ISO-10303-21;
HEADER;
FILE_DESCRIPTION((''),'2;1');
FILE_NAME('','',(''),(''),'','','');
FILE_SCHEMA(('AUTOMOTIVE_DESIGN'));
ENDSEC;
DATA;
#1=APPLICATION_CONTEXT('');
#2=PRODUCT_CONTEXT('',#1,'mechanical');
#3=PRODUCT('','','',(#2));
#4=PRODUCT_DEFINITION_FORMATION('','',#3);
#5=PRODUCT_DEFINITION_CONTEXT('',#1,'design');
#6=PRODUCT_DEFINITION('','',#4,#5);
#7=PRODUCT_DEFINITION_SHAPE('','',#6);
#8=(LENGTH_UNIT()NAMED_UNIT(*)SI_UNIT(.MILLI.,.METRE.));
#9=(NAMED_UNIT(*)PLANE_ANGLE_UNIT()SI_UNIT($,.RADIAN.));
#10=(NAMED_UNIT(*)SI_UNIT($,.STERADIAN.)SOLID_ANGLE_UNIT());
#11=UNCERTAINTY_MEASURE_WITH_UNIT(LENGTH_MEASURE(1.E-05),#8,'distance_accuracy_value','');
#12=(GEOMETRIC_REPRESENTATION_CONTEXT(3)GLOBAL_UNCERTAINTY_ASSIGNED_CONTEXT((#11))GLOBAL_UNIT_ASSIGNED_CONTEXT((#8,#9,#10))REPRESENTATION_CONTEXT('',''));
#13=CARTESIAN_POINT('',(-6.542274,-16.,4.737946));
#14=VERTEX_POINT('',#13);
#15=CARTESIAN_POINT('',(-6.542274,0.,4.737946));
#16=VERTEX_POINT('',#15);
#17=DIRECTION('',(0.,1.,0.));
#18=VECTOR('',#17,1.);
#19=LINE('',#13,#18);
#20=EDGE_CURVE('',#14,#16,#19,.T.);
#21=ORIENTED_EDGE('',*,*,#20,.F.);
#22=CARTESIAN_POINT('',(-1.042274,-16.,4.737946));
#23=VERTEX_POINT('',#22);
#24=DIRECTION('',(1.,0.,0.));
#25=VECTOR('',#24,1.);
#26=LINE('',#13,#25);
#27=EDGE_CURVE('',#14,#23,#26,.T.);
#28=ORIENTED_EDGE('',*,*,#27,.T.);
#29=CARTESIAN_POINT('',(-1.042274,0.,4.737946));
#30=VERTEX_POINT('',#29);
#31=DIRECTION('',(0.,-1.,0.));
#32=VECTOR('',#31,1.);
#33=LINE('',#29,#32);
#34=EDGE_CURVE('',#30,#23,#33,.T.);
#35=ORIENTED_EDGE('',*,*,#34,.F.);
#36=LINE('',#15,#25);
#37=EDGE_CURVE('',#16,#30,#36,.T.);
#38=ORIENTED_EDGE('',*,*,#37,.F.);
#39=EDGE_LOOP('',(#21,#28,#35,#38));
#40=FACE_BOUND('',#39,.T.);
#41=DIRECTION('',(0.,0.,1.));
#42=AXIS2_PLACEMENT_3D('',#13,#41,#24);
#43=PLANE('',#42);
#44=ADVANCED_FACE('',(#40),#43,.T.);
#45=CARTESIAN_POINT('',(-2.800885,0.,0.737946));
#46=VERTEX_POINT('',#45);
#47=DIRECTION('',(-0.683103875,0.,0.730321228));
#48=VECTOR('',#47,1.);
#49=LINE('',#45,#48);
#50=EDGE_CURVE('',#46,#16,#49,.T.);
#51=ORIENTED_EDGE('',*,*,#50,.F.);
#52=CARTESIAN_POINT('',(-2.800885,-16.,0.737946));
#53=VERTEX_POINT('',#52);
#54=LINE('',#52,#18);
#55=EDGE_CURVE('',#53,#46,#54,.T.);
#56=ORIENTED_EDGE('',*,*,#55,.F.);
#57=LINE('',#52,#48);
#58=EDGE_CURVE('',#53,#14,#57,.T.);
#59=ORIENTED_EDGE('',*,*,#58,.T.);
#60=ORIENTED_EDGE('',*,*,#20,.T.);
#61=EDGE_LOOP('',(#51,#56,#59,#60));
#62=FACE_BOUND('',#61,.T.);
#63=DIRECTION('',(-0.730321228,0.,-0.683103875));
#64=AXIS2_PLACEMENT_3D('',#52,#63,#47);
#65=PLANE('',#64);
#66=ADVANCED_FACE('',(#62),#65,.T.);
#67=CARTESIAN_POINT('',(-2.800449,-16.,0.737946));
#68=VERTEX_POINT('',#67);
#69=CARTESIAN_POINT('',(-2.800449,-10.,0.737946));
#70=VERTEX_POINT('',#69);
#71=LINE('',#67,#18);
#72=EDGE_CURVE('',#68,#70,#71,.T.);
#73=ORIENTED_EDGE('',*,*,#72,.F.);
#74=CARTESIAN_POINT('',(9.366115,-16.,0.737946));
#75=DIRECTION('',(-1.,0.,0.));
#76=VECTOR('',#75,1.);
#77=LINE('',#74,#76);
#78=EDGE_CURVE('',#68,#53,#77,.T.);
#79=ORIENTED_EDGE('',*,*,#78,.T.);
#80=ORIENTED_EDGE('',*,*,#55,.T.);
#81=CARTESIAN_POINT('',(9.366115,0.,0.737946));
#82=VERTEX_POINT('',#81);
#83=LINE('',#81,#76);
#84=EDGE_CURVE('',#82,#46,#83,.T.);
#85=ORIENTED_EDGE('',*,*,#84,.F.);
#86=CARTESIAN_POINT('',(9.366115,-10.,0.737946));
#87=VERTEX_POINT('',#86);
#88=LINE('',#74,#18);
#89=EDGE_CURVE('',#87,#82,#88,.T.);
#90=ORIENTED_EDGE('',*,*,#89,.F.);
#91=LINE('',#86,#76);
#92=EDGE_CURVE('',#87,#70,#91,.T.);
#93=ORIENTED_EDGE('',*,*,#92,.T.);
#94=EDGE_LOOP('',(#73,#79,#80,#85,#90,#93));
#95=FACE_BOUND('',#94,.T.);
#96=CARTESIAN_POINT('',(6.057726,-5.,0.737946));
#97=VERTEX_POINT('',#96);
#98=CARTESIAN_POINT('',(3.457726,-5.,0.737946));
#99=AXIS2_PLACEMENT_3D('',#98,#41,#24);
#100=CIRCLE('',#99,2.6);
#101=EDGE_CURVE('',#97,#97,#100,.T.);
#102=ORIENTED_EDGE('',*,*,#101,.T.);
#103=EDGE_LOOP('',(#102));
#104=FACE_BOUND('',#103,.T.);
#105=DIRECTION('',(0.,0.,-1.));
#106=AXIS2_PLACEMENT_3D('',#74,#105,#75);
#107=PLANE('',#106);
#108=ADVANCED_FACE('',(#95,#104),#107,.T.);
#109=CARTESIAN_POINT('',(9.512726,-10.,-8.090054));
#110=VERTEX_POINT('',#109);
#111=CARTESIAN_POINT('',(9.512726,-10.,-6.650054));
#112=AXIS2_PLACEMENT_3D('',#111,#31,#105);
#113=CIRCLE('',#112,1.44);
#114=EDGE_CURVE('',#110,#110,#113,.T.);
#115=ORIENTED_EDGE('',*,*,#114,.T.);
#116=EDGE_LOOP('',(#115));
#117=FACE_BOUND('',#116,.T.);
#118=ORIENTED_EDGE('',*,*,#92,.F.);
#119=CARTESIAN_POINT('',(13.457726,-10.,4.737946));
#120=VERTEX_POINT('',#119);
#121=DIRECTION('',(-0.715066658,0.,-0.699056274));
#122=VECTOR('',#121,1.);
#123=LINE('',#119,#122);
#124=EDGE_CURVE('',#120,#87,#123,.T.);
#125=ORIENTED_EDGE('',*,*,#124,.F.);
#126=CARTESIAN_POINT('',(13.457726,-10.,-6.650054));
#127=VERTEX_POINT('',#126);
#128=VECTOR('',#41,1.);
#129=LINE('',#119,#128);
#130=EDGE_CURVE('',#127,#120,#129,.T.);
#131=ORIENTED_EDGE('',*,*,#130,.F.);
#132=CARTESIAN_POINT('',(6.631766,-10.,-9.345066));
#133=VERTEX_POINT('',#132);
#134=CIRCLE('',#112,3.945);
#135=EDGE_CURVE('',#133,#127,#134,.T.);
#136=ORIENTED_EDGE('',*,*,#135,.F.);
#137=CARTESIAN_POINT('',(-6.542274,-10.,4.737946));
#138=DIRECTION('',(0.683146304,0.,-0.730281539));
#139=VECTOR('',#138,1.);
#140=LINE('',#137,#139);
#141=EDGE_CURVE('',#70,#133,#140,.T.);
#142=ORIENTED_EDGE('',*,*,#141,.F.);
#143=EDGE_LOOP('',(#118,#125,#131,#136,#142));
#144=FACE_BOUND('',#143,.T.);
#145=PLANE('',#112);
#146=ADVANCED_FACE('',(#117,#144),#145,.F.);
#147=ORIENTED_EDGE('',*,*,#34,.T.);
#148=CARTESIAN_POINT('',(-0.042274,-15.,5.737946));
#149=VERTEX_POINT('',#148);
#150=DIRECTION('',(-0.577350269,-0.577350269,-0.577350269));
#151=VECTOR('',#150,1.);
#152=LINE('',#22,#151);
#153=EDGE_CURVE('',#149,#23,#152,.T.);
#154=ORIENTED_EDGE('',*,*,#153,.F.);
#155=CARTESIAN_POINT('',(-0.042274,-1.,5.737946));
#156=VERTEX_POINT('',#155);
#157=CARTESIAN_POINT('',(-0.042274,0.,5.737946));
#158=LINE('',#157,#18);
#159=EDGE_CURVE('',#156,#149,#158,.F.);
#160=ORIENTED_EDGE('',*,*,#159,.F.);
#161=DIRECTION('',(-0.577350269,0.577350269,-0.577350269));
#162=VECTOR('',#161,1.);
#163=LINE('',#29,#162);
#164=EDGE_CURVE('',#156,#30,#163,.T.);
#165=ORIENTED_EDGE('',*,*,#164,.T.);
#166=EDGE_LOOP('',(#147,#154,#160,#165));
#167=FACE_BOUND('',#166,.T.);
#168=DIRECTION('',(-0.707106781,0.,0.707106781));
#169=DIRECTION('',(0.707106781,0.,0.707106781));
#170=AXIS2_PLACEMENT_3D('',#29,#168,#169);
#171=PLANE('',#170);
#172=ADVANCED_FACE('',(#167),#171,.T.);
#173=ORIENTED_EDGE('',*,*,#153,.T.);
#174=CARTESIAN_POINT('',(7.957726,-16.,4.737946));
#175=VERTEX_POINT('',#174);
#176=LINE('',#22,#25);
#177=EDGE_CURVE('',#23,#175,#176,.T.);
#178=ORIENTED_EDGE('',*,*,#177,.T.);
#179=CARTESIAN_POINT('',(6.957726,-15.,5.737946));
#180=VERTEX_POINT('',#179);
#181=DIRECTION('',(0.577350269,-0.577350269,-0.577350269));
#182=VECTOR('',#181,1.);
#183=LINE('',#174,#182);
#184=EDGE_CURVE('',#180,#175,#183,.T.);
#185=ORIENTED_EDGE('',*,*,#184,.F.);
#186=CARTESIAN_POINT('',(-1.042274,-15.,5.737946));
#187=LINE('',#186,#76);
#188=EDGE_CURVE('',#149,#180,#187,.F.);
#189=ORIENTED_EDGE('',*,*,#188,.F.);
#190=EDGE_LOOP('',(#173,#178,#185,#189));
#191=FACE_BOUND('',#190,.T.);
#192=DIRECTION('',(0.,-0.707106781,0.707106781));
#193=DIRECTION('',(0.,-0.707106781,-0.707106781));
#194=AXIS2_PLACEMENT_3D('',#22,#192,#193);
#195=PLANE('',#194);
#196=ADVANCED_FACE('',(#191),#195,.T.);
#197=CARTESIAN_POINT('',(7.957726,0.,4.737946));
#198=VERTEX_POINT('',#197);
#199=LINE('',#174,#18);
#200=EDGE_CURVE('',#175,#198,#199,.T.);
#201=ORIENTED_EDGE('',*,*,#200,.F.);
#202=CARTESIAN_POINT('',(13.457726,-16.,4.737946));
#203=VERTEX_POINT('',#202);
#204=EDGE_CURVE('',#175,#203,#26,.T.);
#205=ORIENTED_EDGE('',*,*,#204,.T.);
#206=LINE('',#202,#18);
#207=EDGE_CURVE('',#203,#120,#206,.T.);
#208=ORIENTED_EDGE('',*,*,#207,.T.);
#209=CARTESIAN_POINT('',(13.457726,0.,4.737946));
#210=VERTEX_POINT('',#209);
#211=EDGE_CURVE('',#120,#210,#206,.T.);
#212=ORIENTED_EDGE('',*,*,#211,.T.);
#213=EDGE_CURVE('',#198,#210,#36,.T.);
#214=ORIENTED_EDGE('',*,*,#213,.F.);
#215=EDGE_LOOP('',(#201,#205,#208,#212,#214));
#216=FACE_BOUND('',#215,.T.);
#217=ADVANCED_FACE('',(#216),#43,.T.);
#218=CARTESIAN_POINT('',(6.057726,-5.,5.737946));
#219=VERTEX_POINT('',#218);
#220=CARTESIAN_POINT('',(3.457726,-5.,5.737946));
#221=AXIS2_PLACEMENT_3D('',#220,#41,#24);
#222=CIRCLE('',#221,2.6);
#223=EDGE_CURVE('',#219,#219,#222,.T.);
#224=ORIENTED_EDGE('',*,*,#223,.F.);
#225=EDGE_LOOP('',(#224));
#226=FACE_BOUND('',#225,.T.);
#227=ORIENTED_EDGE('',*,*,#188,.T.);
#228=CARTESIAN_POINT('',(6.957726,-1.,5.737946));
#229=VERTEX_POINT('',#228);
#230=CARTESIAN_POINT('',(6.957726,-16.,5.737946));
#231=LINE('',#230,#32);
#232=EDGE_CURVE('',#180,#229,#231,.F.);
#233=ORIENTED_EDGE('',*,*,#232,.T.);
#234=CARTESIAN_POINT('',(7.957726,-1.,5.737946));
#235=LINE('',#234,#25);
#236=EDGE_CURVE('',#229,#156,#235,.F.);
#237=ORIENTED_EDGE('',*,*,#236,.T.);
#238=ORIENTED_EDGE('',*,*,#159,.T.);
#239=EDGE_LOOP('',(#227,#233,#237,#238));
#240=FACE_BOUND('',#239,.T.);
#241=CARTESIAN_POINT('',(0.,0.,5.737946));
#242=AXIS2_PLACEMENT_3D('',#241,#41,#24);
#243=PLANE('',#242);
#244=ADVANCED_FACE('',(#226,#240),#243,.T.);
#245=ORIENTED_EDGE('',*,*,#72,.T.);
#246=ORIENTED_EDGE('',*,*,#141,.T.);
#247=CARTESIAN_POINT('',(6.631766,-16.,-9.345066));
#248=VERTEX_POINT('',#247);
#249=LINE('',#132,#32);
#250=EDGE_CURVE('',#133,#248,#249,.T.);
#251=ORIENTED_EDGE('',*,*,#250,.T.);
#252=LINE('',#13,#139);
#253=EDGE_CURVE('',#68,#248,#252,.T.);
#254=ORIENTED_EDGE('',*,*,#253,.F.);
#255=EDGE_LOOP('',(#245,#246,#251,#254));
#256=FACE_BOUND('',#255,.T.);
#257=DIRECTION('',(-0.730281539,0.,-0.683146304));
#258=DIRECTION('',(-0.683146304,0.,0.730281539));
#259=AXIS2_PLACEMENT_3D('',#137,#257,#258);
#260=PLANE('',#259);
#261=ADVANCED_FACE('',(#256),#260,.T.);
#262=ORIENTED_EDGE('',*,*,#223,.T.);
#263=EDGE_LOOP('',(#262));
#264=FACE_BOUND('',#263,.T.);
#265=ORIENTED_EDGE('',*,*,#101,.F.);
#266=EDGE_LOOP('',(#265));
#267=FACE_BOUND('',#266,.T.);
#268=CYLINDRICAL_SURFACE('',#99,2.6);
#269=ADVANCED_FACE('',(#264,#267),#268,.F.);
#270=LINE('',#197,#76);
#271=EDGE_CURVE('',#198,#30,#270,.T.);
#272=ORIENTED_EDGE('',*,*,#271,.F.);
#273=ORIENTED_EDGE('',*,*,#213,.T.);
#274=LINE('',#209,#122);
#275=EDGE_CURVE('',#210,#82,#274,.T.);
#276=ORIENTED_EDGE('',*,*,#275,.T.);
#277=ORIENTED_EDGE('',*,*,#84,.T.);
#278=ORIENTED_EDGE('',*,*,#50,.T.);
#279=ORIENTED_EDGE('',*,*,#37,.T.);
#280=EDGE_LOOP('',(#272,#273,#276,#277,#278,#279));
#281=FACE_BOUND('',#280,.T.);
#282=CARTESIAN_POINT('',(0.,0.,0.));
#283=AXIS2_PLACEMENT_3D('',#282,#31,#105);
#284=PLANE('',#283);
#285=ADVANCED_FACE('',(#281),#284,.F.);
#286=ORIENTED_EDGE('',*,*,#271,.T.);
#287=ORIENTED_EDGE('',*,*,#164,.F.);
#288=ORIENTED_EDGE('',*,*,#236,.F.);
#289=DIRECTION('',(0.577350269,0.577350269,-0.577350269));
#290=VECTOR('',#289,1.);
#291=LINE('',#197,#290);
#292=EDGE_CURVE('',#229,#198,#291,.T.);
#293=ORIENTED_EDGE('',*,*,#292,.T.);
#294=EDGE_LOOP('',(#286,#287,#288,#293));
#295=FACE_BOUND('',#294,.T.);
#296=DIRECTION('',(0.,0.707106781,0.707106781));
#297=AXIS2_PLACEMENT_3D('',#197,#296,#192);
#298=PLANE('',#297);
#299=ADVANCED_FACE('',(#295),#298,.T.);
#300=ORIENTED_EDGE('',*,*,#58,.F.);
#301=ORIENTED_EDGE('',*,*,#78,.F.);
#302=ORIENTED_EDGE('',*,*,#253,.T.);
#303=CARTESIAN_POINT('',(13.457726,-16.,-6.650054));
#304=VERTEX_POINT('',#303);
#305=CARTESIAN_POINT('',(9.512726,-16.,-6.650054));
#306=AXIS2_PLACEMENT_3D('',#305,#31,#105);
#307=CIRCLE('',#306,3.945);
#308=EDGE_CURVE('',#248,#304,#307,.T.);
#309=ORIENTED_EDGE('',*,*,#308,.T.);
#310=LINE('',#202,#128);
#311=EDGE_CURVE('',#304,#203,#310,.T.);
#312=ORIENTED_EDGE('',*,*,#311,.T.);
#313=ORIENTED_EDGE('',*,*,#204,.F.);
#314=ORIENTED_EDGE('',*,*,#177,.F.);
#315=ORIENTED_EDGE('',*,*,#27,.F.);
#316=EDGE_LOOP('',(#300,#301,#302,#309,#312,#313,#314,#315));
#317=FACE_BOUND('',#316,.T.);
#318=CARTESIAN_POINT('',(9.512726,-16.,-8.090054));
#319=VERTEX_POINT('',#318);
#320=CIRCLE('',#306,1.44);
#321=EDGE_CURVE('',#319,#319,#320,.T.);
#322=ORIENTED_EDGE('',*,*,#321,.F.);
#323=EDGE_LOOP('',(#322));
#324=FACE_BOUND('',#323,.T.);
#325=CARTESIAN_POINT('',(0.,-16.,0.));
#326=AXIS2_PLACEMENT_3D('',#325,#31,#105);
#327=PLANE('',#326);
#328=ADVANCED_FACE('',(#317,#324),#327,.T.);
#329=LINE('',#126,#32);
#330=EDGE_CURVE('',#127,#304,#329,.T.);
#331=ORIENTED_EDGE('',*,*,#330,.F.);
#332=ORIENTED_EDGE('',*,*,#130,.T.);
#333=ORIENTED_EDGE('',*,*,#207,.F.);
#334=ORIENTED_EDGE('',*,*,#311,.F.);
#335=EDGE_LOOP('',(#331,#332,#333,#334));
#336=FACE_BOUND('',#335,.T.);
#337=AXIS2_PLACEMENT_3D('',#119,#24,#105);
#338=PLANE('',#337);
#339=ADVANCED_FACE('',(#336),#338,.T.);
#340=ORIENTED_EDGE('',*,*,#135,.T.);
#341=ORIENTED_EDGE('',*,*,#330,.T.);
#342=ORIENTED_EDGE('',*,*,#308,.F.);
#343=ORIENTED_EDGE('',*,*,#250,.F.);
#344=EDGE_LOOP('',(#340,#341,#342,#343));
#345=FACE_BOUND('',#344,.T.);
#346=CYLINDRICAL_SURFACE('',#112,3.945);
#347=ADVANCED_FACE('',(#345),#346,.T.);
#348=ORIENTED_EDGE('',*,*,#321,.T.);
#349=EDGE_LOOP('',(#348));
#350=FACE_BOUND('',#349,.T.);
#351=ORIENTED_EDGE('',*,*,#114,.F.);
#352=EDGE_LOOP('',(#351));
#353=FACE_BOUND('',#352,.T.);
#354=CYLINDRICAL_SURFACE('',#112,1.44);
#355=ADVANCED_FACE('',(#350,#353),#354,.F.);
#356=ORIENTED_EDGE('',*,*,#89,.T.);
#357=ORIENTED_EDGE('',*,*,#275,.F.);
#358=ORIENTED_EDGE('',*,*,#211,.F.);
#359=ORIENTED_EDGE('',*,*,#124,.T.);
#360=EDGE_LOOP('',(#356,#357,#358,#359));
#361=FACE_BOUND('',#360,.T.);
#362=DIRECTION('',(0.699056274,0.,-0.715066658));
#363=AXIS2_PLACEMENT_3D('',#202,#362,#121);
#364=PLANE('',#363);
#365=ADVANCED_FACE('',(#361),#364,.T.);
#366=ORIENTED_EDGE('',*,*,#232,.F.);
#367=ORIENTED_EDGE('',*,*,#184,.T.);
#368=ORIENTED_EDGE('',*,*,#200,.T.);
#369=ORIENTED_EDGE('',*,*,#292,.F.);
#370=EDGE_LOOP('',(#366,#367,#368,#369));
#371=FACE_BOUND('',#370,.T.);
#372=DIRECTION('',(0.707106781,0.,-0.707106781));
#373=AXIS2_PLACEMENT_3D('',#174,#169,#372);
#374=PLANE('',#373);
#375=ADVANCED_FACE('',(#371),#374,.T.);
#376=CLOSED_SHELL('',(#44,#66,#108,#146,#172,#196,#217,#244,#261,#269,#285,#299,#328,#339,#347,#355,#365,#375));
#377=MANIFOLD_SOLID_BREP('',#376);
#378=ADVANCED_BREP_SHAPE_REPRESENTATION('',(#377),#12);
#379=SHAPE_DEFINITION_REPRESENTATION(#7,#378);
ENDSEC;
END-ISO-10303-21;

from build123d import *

# Parameters (mm, degrees)
BOSS_EXTRUDE1_DEPTH = 16
SKETCH2_W           = 9
SKETCH2_H           = 16
BOSS_EXTRUDE2_DEPTH = 1
BOSS_EXTRUDE2_TAPER = 45
SKETCH3_R           = 2.6
CUT_EXTRUDE1_DEPTH  = 6
SKETCH4_R           = 1.44
BOSS_EXTRUDE3_DEPTH = 6


with BuildPart() as part:
    # Sketch1 → Boss-Extrude1 (new body)
    with BuildSketch(Plane(origin=(0, 0, 0), x_dir=(1, 0, 0), z_dir=(0, 1, 0))):
        Polygon((-6.542273602, -4.737945966), (13.457726398, -4.737945966), (9.36611498, -0.737945966), (-2.80088502, -0.737945966), align=None)
    extrude(amount=-BOSS_EXTRUDE1_DEPTH)

    # Sketch2 → Boss-Extrude2 (add)
    with BuildSketch(Plane.XY.offset(4.737945966)):
        with Locations((3.457726398, -8)):
            Rectangle(SKETCH2_W, SKETCH2_H)
    extrude(amount=BOSS_EXTRUDE2_DEPTH, taper=BOSS_EXTRUDE2_TAPER)

    # Sketch3 → Cut-Extrude1 (cut, through all)
    with BuildSketch(Plane.XY.offset(5.737945966)):
        with Locations((3.457726398, -5)):
            Circle(SKETCH3_R)
    extrude(amount=-CUT_EXTRUDE1_DEPTH, mode=Mode.SUBTRACT)

    # Sketch4 → Boss-Extrude3 (add)
    with BuildSketch(Plane.XZ.offset(16)):
        with BuildLine():
            Line((13.457726398, 4.737945966), (13.457726398, -6.650054034))
            ThreePointArc((13.457726398, -6.650054034), (10.961456039, -10.319414663), (6.631765726, -9.345066204))
            Line((6.631765726, -9.345066204), (-6.542273602, 4.737945966))
            Line((-6.542273602, 4.737945966), (13.457726398, 4.737945966))
        make_face()
        with Locations((9.512726398, -6.650054034)):
            Circle(SKETCH4_R, mode=Mode.SUBTRACT)
    extrude(amount=-BOSS_EXTRUDE3_DEPTH)


solid = part.part
